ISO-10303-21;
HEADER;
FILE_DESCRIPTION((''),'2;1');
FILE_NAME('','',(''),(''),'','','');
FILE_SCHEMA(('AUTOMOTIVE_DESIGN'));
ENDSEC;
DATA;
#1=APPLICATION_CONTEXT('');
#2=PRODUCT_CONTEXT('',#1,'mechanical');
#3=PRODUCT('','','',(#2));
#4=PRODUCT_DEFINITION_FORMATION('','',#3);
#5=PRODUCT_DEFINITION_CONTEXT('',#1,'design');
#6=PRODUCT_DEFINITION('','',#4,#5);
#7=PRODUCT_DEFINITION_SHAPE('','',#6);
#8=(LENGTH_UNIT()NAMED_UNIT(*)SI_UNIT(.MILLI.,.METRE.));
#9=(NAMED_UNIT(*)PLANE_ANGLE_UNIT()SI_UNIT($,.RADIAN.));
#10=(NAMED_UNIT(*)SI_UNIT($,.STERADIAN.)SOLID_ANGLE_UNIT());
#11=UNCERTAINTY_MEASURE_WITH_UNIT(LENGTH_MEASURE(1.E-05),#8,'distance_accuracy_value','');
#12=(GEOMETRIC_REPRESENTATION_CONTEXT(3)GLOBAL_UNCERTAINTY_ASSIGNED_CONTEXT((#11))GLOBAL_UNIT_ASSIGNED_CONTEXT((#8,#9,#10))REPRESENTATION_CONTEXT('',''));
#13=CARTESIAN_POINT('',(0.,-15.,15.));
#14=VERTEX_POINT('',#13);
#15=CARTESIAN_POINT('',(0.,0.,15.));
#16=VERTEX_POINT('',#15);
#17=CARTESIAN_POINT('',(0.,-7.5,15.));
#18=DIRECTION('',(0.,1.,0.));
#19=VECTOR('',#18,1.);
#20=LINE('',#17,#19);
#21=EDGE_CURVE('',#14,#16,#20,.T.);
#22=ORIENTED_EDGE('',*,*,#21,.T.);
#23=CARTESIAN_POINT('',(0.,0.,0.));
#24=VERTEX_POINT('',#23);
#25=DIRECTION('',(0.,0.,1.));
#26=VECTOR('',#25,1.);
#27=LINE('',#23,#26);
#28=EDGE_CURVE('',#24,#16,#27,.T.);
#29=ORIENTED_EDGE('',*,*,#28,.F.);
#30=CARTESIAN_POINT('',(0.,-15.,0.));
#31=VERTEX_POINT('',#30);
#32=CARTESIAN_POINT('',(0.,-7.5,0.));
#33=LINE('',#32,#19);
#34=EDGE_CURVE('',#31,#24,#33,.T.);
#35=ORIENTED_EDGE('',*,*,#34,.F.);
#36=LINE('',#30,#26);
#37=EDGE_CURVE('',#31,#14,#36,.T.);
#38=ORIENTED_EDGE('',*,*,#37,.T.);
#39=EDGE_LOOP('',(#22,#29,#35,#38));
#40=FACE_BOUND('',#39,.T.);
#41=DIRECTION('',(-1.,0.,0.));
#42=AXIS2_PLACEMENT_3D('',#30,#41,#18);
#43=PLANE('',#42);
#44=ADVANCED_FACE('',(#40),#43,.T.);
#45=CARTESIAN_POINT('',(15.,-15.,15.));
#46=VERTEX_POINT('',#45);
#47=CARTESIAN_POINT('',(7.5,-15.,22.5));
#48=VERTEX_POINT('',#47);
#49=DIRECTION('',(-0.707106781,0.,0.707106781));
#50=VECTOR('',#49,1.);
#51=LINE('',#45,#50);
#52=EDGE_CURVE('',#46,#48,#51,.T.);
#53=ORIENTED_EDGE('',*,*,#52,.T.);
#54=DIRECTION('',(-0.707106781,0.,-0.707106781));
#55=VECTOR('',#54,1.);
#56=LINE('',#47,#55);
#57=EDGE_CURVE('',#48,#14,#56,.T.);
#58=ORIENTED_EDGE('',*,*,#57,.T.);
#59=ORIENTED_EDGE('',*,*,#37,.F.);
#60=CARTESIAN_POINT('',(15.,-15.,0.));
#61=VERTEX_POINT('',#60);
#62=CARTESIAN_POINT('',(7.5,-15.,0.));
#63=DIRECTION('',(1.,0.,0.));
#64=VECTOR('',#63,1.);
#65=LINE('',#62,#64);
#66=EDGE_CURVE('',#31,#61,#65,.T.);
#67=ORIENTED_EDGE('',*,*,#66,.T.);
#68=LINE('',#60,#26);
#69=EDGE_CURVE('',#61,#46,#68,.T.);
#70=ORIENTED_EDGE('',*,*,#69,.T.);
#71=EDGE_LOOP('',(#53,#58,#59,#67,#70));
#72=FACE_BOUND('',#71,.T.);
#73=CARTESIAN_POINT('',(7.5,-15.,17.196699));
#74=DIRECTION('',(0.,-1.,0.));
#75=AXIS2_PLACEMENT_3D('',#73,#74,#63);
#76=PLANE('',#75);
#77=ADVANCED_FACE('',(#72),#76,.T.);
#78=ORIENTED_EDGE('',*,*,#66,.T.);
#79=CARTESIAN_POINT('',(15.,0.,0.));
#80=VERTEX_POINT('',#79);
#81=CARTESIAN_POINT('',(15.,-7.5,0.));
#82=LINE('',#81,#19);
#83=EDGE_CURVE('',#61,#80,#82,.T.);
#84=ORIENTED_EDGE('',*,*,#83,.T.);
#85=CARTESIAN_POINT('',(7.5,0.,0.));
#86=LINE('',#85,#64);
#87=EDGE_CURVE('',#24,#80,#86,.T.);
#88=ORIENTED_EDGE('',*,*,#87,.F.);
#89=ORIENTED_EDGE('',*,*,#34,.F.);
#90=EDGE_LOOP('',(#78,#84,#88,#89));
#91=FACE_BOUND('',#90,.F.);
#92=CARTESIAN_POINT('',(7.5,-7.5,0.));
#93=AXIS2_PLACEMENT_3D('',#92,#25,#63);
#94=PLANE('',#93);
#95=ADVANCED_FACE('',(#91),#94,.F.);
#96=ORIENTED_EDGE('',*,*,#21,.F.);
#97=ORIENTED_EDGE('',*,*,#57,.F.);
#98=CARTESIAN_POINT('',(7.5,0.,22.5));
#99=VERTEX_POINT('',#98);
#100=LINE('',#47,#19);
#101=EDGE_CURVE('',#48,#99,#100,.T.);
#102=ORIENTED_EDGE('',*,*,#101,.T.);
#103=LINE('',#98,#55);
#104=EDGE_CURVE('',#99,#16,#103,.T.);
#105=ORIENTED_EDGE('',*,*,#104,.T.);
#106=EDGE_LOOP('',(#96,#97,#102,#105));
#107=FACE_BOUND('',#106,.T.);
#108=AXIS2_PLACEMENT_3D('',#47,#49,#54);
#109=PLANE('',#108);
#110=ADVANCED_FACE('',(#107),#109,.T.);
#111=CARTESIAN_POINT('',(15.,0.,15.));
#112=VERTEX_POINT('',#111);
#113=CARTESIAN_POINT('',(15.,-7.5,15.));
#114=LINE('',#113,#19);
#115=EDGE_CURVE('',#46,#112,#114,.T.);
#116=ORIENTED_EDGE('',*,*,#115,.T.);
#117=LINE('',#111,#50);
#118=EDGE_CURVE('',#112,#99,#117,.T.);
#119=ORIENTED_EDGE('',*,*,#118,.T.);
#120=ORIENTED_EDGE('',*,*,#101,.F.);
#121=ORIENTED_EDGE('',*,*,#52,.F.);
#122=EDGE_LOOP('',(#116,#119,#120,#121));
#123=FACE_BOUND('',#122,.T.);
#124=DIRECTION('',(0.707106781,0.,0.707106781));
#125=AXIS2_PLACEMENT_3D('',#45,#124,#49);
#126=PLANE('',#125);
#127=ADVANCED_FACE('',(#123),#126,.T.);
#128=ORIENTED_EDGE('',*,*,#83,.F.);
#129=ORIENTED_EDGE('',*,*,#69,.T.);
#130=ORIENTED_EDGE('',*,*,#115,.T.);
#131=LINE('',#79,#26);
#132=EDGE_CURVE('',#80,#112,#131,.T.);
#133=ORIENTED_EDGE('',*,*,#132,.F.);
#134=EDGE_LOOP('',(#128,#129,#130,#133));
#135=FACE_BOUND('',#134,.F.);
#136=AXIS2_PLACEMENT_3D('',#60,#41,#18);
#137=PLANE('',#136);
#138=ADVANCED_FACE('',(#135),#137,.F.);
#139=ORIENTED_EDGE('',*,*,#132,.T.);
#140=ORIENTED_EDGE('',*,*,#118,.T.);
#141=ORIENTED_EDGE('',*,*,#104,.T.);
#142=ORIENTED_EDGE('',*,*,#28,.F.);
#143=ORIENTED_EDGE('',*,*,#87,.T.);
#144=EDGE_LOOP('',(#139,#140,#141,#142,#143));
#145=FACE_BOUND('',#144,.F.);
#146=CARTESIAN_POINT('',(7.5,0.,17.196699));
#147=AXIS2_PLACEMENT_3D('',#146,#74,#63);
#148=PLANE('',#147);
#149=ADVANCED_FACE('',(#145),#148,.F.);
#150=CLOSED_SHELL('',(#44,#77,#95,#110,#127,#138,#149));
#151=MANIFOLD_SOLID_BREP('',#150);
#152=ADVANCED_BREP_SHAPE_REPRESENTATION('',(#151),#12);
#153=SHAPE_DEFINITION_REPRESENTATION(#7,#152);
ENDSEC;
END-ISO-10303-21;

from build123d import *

# Parameters (mm, degrees)
F0_W     = 15
F0_H     = 15
F1_DEPTH = 15
F3_DEPTH = 15


with BuildPart() as f1:
    # F0 (on Top) → F1 (new body)
    with BuildSketch(Plane.XY):
        with Locations((7.5, -7.5)):
            Rectangle(F0_W, F0_H)
    extrude(amount=F1_DEPTH)

    # F2 (on face) → F3 (join)
    with BuildSketch(Plane.XZ.offset(15)):
        Polygon((7.5, 22.5), (0, 15), (15, 15), align=None)
    extrude(amount=-F3_DEPTH)


solid = f1.part
